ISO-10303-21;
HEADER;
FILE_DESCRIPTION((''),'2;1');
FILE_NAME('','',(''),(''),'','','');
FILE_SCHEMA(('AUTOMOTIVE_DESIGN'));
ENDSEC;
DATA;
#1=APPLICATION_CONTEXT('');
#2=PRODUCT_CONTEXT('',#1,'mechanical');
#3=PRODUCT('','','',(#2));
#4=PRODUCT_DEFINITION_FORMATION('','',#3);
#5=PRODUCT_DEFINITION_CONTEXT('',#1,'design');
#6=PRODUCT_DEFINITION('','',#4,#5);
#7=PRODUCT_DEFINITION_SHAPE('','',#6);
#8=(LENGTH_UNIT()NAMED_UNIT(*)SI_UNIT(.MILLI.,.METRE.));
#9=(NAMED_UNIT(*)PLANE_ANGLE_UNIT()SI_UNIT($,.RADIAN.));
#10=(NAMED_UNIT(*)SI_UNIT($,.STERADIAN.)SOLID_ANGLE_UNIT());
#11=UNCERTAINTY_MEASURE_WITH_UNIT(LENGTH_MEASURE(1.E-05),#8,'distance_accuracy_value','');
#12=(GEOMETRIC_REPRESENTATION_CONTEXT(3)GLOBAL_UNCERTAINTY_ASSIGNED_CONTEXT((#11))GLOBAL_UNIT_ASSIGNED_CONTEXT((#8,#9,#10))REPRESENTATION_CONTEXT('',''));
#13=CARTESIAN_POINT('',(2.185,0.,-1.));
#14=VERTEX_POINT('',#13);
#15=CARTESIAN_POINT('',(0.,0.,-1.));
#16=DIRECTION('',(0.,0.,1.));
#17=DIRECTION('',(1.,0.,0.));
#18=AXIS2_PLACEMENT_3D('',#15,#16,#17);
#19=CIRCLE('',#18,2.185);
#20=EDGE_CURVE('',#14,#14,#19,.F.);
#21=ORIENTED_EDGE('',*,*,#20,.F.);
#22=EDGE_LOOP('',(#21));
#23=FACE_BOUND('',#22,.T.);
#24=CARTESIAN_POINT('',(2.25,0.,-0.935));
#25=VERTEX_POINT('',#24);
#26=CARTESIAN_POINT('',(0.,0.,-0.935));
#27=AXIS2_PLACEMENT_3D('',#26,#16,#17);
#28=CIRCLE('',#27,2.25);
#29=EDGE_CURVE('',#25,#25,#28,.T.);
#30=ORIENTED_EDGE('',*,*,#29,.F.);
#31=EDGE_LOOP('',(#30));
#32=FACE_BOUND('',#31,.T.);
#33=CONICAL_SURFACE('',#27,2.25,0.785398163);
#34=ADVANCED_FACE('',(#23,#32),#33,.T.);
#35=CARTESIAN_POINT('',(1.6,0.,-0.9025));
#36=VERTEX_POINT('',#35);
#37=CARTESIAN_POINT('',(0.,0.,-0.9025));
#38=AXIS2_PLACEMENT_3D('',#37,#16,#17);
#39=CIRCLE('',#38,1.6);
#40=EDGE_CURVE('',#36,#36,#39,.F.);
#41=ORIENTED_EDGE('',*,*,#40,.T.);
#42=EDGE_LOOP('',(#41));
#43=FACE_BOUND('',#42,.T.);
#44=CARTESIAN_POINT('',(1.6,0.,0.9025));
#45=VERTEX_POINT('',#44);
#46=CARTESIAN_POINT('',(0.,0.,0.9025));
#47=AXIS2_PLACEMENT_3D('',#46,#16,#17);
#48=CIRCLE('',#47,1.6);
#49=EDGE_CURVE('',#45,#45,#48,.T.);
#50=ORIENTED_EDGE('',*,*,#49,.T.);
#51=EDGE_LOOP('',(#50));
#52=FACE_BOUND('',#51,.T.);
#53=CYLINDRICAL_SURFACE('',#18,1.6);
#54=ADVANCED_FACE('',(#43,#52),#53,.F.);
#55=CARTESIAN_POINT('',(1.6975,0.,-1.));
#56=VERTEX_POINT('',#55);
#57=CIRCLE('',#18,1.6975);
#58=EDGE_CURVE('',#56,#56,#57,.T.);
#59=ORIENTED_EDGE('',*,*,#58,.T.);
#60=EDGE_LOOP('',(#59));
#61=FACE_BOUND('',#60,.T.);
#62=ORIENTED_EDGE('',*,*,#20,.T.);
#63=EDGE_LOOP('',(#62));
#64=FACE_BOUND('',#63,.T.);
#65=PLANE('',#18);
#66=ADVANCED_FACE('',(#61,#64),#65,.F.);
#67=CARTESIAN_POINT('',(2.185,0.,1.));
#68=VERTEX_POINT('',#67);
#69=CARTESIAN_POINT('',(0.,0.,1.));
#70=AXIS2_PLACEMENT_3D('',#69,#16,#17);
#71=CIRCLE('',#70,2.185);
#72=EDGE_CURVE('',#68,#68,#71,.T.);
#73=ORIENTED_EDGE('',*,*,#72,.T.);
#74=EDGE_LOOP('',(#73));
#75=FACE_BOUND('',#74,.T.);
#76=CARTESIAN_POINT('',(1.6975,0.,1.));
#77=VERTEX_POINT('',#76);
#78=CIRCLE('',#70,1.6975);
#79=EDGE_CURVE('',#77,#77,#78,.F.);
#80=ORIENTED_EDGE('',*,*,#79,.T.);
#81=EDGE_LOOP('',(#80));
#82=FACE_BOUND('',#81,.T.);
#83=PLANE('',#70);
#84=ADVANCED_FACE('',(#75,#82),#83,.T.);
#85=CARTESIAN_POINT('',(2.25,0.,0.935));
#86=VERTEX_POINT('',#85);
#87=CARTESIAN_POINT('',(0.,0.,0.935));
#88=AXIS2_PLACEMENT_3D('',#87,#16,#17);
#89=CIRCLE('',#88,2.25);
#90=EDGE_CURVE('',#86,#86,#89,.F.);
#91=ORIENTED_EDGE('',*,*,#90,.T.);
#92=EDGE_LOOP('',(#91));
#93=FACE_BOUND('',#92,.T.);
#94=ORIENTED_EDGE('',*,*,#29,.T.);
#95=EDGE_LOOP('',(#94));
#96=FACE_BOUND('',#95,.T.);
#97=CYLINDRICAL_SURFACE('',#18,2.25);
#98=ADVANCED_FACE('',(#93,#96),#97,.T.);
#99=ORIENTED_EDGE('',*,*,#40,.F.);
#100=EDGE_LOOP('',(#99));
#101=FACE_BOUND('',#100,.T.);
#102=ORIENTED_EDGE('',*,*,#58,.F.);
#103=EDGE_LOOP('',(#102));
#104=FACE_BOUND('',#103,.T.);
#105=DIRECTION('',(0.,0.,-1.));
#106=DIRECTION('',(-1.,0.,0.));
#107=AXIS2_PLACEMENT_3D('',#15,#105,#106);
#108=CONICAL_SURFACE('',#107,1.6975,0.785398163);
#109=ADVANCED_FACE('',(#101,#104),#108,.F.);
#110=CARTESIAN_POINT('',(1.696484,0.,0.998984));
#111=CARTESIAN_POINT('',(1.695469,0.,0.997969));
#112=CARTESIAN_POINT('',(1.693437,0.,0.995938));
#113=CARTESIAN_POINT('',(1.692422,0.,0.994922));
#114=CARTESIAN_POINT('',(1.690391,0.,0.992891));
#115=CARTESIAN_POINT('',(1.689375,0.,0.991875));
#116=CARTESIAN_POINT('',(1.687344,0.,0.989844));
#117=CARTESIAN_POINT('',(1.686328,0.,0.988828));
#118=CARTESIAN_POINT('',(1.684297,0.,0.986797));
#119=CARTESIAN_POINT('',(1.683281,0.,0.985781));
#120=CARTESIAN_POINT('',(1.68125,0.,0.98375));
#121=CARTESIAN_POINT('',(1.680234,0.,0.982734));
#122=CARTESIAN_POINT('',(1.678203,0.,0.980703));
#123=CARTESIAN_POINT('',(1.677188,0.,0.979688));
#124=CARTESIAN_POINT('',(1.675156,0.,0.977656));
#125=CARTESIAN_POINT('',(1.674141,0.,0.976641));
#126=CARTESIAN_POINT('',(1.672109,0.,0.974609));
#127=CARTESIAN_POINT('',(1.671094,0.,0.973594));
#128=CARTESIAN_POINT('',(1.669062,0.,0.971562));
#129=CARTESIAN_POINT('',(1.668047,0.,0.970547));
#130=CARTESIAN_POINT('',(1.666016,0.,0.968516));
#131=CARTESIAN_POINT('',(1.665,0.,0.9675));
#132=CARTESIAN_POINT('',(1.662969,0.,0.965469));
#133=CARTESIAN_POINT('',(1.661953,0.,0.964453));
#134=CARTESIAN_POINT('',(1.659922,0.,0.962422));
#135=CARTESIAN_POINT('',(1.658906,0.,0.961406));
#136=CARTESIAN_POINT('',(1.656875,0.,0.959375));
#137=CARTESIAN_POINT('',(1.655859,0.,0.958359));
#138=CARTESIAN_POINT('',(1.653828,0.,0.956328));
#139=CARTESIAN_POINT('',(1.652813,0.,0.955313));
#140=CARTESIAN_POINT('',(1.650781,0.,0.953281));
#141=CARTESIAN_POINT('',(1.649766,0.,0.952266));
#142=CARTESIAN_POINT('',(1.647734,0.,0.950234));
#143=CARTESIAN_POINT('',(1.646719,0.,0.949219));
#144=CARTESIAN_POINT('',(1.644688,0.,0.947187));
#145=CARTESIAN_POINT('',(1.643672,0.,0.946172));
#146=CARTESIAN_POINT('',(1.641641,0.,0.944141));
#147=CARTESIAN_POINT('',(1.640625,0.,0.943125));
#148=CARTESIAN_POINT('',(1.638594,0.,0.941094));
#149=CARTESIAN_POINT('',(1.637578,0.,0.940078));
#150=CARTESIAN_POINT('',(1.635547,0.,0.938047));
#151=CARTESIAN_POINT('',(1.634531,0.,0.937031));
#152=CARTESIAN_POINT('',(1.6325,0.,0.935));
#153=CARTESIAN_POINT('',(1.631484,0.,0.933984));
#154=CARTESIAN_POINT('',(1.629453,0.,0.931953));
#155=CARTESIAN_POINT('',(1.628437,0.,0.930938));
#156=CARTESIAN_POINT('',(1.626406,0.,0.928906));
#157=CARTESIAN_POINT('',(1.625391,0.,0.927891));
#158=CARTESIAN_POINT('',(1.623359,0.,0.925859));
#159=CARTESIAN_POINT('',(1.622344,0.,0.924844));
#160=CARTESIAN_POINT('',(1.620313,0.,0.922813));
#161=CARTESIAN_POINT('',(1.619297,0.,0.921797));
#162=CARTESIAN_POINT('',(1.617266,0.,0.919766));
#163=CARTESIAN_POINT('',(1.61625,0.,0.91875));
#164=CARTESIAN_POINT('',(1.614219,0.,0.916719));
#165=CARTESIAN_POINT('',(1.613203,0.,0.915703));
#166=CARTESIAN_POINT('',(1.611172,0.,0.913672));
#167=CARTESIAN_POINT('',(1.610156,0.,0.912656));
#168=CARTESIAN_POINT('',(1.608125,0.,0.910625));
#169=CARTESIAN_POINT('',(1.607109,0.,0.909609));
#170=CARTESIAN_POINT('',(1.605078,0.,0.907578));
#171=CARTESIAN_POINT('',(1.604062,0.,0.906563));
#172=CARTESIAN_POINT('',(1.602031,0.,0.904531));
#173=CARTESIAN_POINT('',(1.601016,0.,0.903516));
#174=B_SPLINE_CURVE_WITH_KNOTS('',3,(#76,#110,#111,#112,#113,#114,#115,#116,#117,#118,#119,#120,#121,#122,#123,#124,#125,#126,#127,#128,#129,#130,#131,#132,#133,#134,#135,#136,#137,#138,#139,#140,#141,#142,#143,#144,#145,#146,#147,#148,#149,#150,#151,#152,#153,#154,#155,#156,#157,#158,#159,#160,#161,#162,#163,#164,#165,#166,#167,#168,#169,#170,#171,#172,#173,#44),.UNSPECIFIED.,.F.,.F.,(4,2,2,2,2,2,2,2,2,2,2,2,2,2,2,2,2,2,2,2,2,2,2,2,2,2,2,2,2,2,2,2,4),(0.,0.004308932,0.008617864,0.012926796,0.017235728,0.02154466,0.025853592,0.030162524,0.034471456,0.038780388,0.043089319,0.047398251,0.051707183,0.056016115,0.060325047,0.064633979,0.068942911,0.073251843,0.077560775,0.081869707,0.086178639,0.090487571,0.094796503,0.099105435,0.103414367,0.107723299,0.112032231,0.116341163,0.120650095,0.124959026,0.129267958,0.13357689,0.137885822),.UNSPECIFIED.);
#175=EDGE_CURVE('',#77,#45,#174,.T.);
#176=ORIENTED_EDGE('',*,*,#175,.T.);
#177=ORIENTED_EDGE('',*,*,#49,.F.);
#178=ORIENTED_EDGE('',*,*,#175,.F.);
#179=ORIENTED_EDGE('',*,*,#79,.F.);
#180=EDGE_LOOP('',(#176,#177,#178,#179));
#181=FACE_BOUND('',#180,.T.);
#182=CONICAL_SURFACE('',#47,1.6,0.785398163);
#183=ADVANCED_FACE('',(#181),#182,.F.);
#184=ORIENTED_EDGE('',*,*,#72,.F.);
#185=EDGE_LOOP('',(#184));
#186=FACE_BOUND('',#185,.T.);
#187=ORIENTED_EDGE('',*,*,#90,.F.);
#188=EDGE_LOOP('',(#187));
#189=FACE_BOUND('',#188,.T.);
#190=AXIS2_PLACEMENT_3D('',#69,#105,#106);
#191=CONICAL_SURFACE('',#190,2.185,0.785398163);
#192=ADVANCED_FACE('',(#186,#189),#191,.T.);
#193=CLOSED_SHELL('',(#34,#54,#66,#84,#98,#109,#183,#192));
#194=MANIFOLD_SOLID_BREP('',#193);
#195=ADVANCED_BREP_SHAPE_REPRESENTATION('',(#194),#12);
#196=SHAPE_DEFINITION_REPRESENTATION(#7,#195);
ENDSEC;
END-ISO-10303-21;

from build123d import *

# Parameters (mm, degrees)
BOSS_EXTRUDE1_DEPTH      = 1
BOSS_EXTRUDE1_DEPTH_BACK = 1
SKETCH3_R                = 2.25
SKETCH3_R_2              = 1.6
CHAMFER1_SIZE            = 0.065
CHAMFER2_SIZE            = 0.0975


with BuildPart() as part:
    # Sketch3 → Boss-Extrude1 (new, two sides: drawn at the far end of the back side and taken through both)
    with BuildSketch(Plane.XY.offset(-BOSS_EXTRUDE1_DEPTH_BACK)):
        Circle(SKETCH3_R)
        Circle(SKETCH3_R_2, mode=Mode.SUBTRACT)
    extrude(amount=BOSS_EXTRUDE1_DEPTH + BOSS_EXTRUDE1_DEPTH_BACK)

    # Chamfer1
    chamfer1_edges = [part.edges().sort_by_distance(p)[0] for p in [
        (-2.25, 0, -1),
        (-2.25, 0, 1),
    ]]
    chamfer(chamfer1_edges, length=CHAMFER1_SIZE)

    # Chamfer2
    chamfer2_edges = [part.edges().sort_by_distance(p)[0] for p in [
        (-1.6, 0, -1),
        (-1.6, 0, 1),
    ]]
    chamfer(chamfer2_edges, length=CHAMFER2_SIZE)


solid = part.part
